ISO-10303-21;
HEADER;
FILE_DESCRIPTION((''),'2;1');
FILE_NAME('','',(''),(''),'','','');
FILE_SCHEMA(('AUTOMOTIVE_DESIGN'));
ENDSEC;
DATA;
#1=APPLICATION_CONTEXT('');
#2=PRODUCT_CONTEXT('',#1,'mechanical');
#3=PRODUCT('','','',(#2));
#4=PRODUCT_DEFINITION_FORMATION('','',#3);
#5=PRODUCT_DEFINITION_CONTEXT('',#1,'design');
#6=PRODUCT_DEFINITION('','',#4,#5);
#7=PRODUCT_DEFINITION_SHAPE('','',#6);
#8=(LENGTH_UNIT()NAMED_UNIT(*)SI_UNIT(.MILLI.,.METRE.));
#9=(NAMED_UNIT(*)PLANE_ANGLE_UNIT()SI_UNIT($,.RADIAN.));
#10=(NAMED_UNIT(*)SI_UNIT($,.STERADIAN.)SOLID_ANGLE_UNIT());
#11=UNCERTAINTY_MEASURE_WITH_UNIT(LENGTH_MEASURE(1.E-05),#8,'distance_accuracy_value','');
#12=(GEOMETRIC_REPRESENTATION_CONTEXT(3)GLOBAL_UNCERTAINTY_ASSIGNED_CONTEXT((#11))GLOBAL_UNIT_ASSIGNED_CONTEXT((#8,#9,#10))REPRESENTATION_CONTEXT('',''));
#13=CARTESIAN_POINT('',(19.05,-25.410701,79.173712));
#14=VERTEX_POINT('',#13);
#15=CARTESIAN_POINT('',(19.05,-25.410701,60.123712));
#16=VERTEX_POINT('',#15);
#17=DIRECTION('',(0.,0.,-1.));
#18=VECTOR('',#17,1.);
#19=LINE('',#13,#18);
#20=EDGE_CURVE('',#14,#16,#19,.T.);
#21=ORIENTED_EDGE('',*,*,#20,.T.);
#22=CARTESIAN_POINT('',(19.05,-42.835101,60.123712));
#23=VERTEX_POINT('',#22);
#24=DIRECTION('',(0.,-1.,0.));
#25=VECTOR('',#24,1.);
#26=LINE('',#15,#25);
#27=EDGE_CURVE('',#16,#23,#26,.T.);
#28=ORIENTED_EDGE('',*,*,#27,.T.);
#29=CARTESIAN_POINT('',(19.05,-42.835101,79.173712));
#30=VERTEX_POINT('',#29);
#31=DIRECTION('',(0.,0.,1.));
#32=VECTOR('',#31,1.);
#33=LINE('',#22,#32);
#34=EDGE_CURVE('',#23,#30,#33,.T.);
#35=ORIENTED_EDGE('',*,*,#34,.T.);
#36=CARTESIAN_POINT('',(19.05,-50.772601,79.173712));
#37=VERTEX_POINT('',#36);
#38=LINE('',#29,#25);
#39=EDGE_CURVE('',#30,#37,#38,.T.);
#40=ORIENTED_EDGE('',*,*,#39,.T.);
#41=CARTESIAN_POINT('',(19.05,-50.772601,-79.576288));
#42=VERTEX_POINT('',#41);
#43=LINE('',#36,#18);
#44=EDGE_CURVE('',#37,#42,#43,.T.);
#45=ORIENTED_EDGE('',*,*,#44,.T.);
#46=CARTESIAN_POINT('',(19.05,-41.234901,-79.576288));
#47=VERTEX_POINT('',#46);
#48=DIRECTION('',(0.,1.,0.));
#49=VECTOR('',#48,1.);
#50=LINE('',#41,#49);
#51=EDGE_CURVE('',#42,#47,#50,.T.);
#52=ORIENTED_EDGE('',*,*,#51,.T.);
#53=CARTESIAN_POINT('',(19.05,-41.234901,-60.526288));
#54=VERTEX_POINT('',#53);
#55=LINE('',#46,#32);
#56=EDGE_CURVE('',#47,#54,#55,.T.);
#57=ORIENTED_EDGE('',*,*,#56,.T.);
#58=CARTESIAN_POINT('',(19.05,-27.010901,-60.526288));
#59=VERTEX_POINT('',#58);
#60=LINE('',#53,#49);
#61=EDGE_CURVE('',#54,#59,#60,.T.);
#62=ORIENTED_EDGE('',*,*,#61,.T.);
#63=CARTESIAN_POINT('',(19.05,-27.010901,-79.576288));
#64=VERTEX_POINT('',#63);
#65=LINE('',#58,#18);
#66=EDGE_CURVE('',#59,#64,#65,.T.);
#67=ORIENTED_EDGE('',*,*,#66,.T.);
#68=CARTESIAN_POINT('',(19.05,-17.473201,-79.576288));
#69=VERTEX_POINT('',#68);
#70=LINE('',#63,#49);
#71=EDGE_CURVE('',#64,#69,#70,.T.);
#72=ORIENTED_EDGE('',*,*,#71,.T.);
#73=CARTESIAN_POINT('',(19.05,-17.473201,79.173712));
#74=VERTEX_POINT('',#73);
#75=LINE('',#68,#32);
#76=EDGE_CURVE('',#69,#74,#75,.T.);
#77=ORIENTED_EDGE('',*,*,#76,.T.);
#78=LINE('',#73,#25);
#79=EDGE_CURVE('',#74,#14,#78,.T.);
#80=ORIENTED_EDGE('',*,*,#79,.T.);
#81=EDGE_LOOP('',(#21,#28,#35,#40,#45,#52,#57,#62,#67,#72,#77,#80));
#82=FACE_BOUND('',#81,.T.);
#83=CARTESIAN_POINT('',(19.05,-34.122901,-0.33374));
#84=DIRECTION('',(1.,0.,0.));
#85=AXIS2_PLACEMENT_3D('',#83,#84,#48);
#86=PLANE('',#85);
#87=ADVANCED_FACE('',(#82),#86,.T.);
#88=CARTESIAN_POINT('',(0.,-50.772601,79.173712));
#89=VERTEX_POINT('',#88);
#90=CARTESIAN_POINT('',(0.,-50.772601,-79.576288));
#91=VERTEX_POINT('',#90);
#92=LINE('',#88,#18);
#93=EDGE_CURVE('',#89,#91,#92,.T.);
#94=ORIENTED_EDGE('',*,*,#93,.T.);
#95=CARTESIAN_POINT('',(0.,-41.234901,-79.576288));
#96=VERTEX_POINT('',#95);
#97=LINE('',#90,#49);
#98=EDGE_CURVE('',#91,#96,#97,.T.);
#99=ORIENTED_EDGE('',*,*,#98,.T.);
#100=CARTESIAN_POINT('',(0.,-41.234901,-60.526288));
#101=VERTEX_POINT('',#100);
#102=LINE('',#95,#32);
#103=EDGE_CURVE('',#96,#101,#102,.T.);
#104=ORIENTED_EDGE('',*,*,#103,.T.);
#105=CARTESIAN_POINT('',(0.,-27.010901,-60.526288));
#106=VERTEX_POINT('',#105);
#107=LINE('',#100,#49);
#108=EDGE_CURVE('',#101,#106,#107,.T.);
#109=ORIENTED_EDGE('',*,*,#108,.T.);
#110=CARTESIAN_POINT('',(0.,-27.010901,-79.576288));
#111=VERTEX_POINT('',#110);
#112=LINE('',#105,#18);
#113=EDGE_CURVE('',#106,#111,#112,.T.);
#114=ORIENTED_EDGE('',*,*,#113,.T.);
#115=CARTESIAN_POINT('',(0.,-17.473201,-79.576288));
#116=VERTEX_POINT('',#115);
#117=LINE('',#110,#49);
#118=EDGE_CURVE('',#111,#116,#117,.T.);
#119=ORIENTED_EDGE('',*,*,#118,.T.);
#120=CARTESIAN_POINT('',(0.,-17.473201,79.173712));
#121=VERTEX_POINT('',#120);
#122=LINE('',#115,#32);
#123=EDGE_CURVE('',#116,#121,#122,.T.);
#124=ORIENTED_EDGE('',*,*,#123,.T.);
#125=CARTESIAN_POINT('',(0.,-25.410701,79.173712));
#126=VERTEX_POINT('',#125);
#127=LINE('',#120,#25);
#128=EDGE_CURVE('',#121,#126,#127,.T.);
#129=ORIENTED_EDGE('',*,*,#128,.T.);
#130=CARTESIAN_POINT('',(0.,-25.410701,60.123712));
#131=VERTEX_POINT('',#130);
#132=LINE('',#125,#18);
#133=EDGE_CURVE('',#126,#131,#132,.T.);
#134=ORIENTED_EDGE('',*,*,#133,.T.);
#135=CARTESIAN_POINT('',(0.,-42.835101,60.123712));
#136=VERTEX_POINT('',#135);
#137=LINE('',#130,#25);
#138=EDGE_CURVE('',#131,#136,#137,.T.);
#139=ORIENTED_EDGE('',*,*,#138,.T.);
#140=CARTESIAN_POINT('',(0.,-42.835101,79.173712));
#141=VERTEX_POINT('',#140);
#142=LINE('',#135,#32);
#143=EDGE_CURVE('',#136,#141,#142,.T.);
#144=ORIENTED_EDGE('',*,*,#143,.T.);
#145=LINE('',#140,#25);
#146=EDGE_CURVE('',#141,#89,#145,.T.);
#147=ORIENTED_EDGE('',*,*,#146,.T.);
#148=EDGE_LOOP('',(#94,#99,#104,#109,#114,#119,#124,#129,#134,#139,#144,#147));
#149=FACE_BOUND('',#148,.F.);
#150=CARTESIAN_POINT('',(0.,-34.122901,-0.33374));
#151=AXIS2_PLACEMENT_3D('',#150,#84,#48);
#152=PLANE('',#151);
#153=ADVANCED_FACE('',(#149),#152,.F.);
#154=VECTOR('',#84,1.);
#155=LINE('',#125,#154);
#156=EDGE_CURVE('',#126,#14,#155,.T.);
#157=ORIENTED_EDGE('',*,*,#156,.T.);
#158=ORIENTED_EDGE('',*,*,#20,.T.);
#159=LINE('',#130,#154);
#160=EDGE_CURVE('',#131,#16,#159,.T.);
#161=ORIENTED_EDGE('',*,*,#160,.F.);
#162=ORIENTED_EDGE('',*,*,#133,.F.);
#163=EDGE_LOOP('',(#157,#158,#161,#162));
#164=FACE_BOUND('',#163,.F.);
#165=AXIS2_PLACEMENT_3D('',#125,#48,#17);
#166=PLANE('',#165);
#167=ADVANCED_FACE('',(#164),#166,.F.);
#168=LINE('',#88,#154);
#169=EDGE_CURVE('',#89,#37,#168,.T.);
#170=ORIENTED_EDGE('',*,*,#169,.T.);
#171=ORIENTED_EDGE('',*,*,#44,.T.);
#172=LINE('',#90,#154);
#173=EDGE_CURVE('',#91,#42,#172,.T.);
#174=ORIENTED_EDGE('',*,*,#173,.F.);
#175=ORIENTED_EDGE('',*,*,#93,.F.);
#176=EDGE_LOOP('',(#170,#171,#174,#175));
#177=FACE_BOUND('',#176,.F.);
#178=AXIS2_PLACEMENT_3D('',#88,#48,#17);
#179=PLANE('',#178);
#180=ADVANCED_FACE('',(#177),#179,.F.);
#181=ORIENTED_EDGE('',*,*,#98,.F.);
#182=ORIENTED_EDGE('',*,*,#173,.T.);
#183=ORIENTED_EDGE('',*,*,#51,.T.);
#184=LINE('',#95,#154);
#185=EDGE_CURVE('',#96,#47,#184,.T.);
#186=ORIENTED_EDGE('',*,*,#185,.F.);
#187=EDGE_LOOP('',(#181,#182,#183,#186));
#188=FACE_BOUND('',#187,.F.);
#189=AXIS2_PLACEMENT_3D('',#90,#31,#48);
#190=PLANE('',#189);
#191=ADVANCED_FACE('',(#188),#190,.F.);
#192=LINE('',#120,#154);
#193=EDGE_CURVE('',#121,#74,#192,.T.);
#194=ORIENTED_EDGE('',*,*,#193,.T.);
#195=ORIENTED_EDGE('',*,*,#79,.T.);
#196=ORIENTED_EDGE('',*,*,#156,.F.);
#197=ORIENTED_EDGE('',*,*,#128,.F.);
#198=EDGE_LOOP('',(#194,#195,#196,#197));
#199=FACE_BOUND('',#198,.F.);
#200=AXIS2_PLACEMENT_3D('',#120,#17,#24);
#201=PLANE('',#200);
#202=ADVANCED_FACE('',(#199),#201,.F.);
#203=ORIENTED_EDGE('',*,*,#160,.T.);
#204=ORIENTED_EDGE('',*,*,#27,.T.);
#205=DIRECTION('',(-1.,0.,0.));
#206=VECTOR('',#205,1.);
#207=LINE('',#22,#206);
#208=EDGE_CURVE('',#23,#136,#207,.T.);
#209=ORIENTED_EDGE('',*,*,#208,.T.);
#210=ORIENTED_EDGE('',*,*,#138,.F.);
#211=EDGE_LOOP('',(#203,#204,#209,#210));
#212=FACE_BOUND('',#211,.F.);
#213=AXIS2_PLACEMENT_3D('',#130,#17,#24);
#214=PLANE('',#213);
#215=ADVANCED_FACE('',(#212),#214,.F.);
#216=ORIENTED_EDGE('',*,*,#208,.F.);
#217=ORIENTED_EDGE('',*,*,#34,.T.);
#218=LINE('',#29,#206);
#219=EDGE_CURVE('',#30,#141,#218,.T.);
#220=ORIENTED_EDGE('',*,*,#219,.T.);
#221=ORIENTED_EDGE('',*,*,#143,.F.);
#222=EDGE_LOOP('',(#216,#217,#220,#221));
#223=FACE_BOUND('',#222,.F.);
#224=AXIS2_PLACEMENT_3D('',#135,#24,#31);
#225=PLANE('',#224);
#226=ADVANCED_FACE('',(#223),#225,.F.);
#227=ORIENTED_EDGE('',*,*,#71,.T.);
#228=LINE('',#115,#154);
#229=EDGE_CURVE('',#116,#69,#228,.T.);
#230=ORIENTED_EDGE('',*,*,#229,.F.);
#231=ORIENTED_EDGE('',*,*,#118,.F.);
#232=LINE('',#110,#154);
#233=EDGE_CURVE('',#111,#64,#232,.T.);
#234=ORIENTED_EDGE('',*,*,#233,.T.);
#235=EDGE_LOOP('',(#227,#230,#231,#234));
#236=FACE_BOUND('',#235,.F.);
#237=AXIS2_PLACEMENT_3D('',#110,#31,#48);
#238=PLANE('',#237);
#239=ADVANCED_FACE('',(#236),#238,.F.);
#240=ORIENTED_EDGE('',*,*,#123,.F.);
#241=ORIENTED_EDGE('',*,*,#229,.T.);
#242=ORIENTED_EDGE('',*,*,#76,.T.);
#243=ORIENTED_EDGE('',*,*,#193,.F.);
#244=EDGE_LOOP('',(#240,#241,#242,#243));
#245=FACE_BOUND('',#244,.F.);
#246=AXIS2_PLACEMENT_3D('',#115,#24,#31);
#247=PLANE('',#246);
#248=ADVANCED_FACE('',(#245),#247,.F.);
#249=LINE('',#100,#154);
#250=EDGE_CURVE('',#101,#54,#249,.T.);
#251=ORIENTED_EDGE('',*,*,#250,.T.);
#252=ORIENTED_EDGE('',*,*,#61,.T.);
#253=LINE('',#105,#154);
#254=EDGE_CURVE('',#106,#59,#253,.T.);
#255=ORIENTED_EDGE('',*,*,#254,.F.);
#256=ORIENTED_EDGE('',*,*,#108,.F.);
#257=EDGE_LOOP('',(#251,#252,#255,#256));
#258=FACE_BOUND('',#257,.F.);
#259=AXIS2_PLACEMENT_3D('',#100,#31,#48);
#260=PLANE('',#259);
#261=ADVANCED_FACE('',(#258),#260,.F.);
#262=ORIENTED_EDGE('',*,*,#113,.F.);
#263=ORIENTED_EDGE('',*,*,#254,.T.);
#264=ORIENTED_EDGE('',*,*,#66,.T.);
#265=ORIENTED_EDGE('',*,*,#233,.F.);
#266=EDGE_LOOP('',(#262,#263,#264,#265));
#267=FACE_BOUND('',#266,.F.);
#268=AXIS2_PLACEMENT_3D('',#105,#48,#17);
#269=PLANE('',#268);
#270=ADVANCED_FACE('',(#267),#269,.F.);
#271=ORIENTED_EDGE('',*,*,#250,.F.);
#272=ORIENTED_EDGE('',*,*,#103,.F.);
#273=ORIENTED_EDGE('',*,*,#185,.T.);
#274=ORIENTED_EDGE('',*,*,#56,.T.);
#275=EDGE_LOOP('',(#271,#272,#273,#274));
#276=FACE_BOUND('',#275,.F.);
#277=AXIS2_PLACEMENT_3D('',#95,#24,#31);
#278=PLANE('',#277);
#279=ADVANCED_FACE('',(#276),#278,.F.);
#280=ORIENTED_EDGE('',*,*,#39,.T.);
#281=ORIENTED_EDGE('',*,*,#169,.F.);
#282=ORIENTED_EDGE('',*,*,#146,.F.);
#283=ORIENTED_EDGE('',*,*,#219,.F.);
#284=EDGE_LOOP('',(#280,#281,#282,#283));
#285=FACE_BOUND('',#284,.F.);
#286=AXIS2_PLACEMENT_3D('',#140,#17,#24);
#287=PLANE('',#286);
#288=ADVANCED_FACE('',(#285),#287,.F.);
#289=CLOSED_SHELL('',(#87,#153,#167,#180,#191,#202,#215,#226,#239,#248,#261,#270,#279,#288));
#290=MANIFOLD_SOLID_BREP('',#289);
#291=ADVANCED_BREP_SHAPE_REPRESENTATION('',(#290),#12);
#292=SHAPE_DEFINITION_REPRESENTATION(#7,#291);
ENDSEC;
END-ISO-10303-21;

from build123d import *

# Parameters (mm, degrees)
F1_DEPTH = 19.05
F2_DEPTH = 9.525


with BuildPart() as f1:
    # F0 (on Right) → F1 (new body)
    with BuildSketch(Plane.YZ):
        Polygon((-42.835101, 79.173712), (-50.772601, 79.173712), (-50.772601, -79.576288), (-41.234901, -79.576288), (-41.234901, -60.526288), (-34.122901, -60.526288), (-27.010901, -60.526288), (-27.010901, -79.576288), (-17.473201, -79.576288), (-17.473201, 79.173712), (-25.410701, 79.173712), (-25.410701, 60.123712), (-34.122901, 60.123712), (-42.835101, 60.123712), align=None)
    extrude(amount=F1_DEPTH)

    # F0 (on Right) → F2 (join)
    with BuildSketch(Plane.YZ):
        Polygon((-42.835101, 79.173712), (-50.772601, 79.173712), (-50.772601, -79.576288), (-41.234901, -79.576288), (-41.234901, -60.526288), (-34.122901, -60.526288), (-27.010901, -60.526288), (-27.010901, -79.576288), (-17.473201, -79.576288), (-17.473201, 79.173712), (-25.410701, 79.173712), (-25.410701, 60.123712), (-34.122901, 60.123712), (-42.835101, 60.123712), align=None)
    extrude(amount=F2_DEPTH)


solid = f1.part
